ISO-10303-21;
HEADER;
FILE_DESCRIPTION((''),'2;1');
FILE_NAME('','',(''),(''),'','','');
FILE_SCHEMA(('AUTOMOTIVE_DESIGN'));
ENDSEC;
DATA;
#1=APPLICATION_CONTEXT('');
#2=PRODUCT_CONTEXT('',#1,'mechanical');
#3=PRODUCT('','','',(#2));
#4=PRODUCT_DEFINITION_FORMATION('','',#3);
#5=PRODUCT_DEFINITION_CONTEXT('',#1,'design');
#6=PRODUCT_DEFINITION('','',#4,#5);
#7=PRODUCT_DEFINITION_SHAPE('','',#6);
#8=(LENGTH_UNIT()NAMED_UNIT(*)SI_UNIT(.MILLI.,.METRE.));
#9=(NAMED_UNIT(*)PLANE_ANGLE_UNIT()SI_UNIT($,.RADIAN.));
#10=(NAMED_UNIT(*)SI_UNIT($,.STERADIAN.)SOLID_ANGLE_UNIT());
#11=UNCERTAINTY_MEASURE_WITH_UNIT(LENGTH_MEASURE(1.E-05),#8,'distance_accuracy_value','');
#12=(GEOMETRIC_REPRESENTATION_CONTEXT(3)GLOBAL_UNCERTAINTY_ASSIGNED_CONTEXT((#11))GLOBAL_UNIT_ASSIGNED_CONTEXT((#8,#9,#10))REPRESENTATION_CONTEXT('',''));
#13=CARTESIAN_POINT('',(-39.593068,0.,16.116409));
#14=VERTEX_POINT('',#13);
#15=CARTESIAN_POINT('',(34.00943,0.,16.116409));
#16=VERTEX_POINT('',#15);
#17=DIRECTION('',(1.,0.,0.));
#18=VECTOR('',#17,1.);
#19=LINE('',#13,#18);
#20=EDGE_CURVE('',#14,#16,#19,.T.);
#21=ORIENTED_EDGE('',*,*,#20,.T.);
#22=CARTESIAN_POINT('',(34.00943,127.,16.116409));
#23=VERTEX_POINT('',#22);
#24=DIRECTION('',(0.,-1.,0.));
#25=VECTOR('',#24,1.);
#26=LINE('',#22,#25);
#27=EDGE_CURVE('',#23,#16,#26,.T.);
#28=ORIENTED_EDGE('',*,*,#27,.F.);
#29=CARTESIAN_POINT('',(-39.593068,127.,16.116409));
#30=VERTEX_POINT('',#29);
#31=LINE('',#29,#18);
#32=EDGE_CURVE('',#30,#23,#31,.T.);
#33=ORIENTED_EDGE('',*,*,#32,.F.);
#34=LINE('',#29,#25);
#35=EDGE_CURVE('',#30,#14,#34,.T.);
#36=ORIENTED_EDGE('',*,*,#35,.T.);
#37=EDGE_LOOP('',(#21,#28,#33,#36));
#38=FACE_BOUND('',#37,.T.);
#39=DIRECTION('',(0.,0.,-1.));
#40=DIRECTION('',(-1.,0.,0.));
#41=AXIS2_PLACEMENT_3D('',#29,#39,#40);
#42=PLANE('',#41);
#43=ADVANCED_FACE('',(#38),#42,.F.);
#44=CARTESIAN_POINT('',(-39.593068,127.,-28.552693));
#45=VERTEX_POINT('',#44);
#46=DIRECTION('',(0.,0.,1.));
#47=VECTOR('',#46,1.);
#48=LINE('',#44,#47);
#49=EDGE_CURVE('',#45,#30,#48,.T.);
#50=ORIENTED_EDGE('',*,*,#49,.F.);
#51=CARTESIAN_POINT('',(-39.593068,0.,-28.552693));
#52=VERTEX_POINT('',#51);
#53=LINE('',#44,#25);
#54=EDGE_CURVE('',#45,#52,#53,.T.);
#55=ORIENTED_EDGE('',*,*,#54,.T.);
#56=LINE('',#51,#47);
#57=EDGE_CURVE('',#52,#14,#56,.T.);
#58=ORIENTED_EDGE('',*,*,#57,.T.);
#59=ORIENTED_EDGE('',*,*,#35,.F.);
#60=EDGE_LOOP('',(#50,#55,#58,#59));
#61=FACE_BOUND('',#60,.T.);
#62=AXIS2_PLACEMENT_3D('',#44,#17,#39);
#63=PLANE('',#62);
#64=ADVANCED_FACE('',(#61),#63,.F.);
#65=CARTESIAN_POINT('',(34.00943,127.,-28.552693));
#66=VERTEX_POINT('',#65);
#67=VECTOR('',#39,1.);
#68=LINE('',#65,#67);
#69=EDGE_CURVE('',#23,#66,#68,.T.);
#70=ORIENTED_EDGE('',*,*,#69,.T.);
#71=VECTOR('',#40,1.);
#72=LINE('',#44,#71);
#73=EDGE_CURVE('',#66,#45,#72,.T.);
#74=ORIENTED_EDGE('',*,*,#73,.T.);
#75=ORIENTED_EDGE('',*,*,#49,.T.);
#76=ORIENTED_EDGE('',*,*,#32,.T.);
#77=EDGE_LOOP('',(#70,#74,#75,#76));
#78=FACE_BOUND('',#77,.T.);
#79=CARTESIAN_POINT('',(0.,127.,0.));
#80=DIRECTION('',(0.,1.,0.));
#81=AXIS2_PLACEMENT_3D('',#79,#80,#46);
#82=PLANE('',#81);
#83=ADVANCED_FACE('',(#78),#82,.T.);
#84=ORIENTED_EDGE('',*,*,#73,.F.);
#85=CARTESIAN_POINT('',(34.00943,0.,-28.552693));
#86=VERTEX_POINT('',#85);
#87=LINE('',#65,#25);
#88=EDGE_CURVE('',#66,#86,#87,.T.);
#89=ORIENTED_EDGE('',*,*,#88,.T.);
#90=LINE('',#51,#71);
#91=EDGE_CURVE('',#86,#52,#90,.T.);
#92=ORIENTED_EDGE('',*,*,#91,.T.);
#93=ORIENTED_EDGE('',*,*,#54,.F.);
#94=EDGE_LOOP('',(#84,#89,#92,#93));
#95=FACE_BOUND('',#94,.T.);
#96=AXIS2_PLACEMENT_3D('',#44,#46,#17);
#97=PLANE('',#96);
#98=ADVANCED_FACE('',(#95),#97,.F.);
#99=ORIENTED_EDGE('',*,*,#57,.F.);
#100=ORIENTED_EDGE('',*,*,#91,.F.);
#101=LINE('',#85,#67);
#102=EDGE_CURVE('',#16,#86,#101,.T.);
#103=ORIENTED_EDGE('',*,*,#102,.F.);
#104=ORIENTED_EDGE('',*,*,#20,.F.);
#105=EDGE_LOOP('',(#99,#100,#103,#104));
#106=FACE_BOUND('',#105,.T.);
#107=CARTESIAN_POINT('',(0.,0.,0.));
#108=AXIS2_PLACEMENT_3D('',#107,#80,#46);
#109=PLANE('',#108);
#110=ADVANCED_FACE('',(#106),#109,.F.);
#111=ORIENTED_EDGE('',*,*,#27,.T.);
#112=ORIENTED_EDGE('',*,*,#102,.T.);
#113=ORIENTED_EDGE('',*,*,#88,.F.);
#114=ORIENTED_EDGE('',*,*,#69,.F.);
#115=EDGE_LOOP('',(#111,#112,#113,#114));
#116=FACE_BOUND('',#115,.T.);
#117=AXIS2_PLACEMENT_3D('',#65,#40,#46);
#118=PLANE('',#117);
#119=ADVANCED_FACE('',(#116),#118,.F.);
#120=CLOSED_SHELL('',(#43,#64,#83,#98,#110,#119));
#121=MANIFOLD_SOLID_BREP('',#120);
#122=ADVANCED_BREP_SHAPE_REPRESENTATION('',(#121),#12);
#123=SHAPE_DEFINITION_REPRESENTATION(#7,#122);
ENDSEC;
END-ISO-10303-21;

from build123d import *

# Parameters (mm, degrees)
SKETCH1_W           = 73.602498049
SKETCH1_H           = 44.669102263
BOSS_EXTRUDE1_DEPTH = 127


with BuildPart() as part:
    # Sketch1 → Boss-Extrude1 (new body)
    with BuildSketch(Plane(origin=(0, 0, 0), x_dir=(1, 0, 0), z_dir=(0, 1, 0))):
        with Locations((-2.791818892, 6.218142076)):
            Rectangle(SKETCH1_W, SKETCH1_H)
    extrude(amount=BOSS_EXTRUDE1_DEPTH)


solid = part.part
